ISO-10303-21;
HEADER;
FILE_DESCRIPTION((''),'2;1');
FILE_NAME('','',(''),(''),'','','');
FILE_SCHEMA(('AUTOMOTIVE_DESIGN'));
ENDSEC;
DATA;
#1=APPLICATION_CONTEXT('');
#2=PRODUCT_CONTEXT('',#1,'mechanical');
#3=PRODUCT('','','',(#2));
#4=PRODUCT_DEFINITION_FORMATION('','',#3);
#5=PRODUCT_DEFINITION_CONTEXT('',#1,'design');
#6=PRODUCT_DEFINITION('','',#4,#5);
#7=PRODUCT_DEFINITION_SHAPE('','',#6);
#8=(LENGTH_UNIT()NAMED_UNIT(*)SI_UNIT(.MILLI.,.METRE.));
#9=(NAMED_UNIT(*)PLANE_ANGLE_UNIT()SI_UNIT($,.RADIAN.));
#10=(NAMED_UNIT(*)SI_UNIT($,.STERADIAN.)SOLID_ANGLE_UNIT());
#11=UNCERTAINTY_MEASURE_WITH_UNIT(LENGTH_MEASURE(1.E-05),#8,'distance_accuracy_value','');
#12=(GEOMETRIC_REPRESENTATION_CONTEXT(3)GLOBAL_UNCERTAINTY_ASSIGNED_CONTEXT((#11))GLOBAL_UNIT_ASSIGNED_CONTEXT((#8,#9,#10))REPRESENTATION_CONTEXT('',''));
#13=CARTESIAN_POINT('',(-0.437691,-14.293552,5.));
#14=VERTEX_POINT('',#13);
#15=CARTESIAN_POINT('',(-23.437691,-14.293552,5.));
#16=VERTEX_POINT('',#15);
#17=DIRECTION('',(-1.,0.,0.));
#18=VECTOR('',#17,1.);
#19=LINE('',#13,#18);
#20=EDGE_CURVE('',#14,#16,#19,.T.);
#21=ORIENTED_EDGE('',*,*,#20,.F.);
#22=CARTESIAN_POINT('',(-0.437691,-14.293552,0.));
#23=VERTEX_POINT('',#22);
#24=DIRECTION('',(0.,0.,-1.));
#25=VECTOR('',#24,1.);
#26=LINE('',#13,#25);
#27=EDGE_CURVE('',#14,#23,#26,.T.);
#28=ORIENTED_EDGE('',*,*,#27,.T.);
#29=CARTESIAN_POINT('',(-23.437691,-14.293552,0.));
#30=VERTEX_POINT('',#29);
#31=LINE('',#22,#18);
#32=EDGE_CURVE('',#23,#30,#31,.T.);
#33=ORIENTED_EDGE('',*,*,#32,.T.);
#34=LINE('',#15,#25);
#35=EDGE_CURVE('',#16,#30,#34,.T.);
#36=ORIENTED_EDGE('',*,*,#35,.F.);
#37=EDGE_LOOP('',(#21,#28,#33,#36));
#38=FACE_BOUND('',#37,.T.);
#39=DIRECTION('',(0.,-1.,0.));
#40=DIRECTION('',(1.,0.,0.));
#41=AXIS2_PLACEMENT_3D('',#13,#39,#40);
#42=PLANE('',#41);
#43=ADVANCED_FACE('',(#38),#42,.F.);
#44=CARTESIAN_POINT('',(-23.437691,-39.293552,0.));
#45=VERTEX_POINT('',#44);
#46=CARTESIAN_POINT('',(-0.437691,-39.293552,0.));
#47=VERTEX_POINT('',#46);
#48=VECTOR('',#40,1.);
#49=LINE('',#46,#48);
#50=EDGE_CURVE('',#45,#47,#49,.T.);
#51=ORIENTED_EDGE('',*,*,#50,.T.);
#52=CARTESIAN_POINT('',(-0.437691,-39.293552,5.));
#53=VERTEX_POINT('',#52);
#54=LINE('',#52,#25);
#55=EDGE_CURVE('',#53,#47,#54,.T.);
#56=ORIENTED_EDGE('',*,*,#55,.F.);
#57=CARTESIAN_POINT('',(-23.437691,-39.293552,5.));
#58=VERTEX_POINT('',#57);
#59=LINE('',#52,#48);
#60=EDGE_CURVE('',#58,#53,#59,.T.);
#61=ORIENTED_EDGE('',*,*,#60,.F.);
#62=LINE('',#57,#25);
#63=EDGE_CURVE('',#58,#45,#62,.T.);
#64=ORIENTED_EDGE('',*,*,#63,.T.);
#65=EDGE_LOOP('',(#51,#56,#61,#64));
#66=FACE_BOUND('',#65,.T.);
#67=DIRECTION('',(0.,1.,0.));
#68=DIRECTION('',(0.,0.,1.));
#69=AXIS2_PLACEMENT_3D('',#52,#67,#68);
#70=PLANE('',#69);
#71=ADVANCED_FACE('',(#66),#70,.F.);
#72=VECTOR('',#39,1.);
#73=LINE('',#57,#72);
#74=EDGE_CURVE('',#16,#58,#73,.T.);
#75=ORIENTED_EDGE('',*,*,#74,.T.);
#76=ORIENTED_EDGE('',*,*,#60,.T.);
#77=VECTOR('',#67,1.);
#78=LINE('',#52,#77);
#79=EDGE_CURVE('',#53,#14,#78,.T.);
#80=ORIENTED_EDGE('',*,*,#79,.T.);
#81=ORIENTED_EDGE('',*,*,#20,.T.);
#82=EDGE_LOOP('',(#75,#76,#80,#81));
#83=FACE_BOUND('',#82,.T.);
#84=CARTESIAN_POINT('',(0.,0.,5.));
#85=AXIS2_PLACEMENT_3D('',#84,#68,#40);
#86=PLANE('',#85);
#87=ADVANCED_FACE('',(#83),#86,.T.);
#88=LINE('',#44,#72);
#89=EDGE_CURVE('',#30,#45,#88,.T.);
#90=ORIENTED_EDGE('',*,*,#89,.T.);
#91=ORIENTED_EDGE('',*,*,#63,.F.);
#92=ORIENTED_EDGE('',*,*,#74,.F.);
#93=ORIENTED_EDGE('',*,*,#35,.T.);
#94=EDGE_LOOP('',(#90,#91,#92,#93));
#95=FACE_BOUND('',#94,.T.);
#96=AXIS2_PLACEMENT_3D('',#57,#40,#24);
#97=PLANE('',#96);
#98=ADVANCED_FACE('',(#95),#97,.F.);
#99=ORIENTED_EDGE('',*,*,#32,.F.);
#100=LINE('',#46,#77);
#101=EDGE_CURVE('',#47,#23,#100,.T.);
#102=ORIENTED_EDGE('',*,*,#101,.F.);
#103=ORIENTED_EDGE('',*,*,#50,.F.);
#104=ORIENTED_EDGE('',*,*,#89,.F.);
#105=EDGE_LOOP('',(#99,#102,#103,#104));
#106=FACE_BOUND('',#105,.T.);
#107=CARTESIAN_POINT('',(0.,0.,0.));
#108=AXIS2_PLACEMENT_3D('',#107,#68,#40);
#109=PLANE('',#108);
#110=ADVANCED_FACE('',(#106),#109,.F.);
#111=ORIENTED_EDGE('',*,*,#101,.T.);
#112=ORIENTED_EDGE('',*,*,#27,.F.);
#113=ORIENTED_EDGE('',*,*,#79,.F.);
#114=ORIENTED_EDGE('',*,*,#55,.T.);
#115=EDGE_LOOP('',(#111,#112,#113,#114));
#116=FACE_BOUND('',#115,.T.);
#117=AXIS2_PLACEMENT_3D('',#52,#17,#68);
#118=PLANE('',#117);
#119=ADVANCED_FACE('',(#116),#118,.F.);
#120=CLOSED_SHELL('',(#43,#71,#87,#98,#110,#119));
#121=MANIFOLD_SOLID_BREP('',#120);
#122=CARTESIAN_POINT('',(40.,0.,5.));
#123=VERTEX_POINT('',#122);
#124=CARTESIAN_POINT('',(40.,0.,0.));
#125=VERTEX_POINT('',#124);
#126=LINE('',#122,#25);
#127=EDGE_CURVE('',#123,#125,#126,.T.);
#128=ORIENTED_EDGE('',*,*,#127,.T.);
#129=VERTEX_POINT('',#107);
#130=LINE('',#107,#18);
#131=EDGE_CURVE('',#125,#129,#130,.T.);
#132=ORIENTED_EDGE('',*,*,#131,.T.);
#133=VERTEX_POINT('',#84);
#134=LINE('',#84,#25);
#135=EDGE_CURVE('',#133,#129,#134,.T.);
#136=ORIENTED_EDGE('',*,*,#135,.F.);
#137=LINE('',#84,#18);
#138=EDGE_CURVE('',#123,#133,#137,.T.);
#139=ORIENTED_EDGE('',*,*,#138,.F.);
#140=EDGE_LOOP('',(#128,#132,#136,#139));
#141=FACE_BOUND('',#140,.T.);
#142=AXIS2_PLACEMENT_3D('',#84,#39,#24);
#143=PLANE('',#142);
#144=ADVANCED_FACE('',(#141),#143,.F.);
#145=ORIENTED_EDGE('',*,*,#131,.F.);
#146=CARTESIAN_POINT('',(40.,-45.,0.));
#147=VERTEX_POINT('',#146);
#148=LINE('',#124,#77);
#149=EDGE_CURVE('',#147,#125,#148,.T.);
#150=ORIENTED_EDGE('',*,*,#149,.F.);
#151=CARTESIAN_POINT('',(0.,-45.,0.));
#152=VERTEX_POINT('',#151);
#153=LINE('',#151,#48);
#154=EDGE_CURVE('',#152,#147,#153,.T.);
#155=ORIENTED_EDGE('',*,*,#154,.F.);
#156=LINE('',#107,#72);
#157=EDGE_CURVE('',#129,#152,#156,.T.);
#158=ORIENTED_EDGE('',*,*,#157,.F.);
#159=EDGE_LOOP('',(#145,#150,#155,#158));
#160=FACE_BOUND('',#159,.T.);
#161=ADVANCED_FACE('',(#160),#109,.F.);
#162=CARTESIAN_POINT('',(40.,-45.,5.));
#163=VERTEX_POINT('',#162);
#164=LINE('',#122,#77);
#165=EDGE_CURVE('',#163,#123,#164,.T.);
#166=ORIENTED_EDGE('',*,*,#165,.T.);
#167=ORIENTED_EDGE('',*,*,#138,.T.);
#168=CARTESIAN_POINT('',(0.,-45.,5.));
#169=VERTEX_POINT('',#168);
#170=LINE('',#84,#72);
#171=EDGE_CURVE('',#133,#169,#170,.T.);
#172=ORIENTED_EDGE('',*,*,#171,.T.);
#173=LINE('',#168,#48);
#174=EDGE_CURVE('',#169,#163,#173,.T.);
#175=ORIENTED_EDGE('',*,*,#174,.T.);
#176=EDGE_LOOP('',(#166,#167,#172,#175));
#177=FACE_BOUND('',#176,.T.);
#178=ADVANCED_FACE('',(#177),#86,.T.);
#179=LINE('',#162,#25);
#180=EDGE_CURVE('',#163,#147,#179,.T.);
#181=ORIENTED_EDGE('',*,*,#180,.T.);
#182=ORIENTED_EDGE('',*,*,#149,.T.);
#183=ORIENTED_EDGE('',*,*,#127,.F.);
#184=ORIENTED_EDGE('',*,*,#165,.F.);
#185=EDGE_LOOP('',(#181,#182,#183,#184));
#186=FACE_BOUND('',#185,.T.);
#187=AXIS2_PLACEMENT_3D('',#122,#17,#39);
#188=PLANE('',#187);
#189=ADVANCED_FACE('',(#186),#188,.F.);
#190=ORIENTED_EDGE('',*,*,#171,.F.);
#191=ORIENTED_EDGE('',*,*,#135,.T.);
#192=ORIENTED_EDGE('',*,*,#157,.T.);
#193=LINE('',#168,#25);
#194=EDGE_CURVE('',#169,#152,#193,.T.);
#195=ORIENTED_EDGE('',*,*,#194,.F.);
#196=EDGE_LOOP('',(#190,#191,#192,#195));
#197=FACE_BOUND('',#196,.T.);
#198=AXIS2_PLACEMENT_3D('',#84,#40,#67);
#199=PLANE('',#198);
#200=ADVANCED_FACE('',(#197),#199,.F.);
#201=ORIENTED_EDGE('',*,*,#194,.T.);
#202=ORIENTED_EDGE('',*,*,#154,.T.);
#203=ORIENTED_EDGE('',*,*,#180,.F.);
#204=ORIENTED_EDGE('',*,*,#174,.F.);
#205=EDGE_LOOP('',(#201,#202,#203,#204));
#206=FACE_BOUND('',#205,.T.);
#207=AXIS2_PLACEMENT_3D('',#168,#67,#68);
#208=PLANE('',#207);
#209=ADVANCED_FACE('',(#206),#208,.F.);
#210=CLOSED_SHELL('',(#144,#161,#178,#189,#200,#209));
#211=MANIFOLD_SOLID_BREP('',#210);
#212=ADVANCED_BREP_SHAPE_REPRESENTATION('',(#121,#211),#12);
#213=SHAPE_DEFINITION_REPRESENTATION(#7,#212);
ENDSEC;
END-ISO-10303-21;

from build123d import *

# Parameters (mm, degrees)
SKETCH_1_W        = 40
SKETCH_1_H        = 45
EXTRUDE_1_DEPTH   = 5
SKETCH_1_W_2      = 23
SKETCH_1_H_2      = 25
EXTRUDE_1_2_DEPTH = 5


with BuildPart() as part:
    # 草图1 → 凸台-拉伸1 (new body)
    with BuildSketch(Plane.XY):
        with Locations((20, -22.5)):
            Rectangle(SKETCH_1_W, SKETCH_1_H)
    extrude(amount=EXTRUDE_1_DEPTH)


with BuildPart() as body_2:
    # 草图1 → Extrude 1 2 (new body)
    with BuildSketch(Plane.XY):
        with Locations((-11.937690517, -26.793552103)):
            Rectangle(SKETCH_1_W_2, SKETCH_1_H_2)
    extrude(amount=EXTRUDE_1_2_DEPTH)


solid = Compound([part.part, body_2.part])
